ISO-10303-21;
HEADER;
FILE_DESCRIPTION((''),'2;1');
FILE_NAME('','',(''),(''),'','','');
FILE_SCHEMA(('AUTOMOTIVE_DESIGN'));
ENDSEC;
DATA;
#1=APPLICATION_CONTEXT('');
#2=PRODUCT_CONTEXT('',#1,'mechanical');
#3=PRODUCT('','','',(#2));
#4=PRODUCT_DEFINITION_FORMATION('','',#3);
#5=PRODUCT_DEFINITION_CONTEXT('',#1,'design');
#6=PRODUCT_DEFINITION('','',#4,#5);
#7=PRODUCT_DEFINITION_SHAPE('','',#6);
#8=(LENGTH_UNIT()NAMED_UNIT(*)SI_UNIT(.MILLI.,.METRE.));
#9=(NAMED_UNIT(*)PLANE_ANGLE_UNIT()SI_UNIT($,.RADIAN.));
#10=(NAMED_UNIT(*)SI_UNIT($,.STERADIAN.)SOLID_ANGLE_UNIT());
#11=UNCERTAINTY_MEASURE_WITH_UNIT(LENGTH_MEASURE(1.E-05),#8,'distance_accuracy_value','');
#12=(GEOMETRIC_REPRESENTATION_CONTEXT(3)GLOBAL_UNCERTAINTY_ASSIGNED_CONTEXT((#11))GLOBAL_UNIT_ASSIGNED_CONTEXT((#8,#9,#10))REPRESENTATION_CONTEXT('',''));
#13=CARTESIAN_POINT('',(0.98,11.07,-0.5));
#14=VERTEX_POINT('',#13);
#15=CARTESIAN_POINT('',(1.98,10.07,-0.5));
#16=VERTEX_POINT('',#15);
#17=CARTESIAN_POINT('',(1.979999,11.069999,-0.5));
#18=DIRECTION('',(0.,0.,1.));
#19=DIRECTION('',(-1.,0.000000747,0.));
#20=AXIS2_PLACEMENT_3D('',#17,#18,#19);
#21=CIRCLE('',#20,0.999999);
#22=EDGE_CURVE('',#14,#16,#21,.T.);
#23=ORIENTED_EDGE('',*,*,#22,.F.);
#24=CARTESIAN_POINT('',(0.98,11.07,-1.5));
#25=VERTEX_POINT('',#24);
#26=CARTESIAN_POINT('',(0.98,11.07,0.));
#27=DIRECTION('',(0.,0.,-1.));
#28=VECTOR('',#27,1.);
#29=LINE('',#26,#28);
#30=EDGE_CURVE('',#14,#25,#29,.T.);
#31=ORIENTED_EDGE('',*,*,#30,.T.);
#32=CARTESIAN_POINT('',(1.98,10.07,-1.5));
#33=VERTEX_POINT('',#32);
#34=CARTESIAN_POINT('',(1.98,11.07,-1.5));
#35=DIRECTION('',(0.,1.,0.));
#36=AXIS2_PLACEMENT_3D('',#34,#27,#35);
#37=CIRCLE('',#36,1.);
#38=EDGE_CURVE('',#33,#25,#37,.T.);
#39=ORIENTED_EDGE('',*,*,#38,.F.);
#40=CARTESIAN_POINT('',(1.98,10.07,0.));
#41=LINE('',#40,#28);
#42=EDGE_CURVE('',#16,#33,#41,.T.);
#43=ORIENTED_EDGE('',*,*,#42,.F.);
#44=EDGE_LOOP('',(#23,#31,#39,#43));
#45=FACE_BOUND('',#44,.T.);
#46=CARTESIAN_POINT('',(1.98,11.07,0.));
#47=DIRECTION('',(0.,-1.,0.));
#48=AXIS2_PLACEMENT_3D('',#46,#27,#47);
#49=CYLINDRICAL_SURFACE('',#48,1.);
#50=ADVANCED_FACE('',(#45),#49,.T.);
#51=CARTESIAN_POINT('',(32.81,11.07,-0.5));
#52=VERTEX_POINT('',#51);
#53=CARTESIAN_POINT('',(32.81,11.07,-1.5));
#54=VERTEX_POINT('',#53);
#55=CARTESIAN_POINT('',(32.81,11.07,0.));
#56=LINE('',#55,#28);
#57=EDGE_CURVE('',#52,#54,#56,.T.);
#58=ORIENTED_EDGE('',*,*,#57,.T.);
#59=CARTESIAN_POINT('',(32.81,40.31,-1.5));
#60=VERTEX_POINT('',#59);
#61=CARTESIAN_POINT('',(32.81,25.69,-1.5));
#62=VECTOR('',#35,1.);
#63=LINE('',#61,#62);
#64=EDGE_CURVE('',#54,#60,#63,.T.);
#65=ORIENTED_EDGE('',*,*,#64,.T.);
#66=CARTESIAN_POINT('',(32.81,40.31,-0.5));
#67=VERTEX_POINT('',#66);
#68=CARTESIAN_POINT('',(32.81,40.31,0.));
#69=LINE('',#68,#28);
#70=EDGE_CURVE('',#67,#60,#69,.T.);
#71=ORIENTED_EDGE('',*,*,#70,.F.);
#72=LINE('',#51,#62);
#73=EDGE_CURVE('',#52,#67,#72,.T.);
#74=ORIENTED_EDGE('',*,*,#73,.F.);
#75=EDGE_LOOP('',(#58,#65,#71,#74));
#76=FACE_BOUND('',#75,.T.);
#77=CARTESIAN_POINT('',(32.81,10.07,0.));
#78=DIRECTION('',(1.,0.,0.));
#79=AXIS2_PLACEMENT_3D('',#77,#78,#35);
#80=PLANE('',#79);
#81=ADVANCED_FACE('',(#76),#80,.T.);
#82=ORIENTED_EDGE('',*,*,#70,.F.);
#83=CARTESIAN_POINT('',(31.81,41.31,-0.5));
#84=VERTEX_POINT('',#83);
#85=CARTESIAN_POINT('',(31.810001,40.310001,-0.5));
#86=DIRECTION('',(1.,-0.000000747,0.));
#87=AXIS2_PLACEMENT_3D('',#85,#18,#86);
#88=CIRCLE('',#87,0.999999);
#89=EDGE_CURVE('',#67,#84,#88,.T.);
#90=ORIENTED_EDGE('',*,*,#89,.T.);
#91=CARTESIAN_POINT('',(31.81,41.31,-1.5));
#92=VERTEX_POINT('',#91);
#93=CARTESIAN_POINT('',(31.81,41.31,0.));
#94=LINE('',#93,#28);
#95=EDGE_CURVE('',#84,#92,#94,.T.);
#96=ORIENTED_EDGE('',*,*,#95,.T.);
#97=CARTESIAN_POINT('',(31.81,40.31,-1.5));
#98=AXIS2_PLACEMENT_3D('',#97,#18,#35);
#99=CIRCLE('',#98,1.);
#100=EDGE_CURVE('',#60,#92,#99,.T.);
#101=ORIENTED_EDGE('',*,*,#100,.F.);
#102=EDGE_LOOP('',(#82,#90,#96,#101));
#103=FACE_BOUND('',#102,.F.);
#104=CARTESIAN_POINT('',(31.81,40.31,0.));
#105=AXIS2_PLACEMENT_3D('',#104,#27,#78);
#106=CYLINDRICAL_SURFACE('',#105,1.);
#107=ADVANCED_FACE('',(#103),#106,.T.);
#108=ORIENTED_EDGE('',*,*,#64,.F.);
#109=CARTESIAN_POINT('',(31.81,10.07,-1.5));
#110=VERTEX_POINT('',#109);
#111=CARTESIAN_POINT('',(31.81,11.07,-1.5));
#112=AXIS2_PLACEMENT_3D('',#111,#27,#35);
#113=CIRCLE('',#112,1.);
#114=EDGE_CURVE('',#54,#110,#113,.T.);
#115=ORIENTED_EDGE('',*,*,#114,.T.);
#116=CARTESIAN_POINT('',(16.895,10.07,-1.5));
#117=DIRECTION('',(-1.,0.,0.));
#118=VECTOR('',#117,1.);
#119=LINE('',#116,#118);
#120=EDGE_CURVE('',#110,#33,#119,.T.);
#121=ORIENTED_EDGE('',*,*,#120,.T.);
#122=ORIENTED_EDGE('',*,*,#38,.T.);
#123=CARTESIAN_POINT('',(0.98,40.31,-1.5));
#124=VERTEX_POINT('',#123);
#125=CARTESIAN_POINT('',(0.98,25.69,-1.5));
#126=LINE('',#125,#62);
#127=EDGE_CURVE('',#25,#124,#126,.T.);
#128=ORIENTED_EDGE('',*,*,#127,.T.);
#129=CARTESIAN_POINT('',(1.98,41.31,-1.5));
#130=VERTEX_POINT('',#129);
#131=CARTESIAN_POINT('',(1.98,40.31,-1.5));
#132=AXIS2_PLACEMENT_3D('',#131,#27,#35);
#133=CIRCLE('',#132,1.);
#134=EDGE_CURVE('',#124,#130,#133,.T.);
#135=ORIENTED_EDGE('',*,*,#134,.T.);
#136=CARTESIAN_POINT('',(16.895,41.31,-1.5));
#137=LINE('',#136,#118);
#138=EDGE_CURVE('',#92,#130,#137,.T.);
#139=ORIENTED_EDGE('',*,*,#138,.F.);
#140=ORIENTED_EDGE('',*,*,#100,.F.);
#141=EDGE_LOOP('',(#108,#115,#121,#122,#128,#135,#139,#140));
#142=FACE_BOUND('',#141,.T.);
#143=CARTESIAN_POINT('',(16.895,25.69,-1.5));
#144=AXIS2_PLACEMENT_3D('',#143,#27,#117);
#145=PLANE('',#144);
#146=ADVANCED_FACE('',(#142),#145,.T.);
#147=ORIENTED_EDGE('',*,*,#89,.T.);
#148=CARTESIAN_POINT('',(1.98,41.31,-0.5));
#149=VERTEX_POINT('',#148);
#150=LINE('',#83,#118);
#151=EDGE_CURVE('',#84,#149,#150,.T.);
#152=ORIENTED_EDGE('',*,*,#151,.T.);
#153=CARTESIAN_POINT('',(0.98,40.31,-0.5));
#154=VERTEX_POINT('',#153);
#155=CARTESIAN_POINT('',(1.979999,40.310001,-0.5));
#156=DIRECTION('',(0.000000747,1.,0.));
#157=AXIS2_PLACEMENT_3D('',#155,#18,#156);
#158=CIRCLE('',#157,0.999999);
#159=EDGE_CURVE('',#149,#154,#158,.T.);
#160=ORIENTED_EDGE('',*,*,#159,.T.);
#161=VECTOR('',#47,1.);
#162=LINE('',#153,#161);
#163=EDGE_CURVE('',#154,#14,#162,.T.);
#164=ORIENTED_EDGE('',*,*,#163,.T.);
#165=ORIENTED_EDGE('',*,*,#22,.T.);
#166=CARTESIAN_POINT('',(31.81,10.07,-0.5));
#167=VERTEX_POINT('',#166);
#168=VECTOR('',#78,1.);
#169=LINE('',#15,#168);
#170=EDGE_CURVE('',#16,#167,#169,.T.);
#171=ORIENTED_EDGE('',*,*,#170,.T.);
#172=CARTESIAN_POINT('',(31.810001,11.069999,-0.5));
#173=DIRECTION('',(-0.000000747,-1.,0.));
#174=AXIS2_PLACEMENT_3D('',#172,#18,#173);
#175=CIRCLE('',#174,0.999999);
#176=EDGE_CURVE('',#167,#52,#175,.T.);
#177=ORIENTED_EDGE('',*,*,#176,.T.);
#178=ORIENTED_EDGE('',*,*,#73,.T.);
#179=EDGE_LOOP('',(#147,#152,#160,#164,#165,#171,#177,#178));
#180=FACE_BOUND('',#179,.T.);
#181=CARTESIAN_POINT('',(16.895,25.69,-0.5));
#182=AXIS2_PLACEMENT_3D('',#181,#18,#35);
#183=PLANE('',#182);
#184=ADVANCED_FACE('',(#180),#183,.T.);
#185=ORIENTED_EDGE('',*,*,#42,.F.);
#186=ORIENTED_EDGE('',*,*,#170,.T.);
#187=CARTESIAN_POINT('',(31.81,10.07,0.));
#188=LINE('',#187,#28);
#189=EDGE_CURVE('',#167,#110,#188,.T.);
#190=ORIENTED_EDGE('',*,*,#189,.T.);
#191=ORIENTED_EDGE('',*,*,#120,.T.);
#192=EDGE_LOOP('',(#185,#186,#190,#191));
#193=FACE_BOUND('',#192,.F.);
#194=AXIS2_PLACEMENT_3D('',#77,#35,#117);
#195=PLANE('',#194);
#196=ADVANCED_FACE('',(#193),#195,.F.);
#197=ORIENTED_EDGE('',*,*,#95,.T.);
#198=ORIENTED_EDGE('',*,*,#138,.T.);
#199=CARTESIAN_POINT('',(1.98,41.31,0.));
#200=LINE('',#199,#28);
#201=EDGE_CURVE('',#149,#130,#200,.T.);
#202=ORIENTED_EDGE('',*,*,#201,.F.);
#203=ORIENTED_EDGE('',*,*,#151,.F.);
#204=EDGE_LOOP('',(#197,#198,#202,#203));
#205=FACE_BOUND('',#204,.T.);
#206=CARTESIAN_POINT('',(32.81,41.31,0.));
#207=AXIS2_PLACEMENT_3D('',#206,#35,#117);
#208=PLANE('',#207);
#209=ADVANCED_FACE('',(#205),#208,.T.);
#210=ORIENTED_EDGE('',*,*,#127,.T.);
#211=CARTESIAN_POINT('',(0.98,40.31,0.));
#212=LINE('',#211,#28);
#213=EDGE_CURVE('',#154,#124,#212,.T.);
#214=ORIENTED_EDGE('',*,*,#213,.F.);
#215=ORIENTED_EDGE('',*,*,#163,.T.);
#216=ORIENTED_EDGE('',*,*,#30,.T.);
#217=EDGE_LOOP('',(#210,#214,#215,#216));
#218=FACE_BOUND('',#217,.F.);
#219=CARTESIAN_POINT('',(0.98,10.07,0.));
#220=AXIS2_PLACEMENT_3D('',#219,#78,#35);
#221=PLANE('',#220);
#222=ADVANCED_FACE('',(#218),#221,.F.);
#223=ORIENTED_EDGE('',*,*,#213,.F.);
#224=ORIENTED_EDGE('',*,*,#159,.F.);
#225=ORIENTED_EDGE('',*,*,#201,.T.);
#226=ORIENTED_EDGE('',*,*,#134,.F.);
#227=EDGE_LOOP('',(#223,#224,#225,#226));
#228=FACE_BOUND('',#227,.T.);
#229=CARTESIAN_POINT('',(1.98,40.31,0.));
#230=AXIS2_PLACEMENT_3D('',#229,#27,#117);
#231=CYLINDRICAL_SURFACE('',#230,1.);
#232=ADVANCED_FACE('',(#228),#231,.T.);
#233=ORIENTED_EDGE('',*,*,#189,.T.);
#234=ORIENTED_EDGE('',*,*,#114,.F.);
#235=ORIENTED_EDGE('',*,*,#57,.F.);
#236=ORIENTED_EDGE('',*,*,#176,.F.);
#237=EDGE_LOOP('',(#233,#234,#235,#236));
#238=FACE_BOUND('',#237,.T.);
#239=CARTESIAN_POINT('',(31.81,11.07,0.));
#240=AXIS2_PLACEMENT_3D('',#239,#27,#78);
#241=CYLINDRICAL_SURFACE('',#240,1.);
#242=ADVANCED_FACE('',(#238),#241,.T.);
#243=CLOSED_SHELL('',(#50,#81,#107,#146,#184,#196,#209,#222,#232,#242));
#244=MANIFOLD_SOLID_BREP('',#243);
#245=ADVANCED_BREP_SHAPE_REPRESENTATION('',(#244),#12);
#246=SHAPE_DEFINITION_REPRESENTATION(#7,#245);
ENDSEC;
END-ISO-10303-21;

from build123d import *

# Parameters (mm, degrees)
SKETCH_W     = 31.83
SKETCH_H     = 31.24
PAD_DEPTH    = 1.5
FILLET_R     = 1
POCKET_DEPTH = 0.5


with BuildPart() as part:
    # Sketch → Pad (new body)
    with BuildSketch(Plane(origin=(0, 0, 0), x_dir=(-1, 0, 0), z_dir=(0, 0, -1))):
        with Locations((-16.895, 25.69)):
            Rectangle(SKETCH_W, SKETCH_H)
    extrude(amount=PAD_DEPTH)

    # Fillet
    fillet_edges = [part.edges().sort_by_distance(p)[0] for p in [
        (32.81, 41.31, -0.75),
        (0.98, 41.31, -0.75),
        (0.98, 10.07, -0.75),
        (32.81, 10.07, -0.75),
    ]]
    fillet(fillet_edges, radius=FILLET_R)

    # Fillet Face2 → Pocket (cut)
    with BuildSketch(Plane(origin=(16.895, 25.69, 0), x_dir=(0, 1, 0), z_dir=(0, 0, 1))):
        with BuildLine():
            Line((15.62, -14.915), (15.62, 14.915))
            ThreePointArc((15.62, 14.915), (15.327107, 15.622107), (14.62, 15.915))
            Line((14.62, 15.915), (-14.62, 15.915))
            ThreePointArc((-14.62, 15.915), (-15.327107, 15.622107), (-15.62, 14.915))
            Line((-15.62, 14.915), (-15.62, -14.915))
            ThreePointArc((-15.62, -14.915), (-15.327107, -15.622107), (-14.62, -15.915))
            Line((-14.62, -15.915), (14.62, -15.915))
            ThreePointArc((14.62, -15.915), (15.327107, -15.622107), (15.62, -14.915))
        make_face()
    extrude(amount=-POCKET_DEPTH, mode=Mode.SUBTRACT)


solid = part.part
